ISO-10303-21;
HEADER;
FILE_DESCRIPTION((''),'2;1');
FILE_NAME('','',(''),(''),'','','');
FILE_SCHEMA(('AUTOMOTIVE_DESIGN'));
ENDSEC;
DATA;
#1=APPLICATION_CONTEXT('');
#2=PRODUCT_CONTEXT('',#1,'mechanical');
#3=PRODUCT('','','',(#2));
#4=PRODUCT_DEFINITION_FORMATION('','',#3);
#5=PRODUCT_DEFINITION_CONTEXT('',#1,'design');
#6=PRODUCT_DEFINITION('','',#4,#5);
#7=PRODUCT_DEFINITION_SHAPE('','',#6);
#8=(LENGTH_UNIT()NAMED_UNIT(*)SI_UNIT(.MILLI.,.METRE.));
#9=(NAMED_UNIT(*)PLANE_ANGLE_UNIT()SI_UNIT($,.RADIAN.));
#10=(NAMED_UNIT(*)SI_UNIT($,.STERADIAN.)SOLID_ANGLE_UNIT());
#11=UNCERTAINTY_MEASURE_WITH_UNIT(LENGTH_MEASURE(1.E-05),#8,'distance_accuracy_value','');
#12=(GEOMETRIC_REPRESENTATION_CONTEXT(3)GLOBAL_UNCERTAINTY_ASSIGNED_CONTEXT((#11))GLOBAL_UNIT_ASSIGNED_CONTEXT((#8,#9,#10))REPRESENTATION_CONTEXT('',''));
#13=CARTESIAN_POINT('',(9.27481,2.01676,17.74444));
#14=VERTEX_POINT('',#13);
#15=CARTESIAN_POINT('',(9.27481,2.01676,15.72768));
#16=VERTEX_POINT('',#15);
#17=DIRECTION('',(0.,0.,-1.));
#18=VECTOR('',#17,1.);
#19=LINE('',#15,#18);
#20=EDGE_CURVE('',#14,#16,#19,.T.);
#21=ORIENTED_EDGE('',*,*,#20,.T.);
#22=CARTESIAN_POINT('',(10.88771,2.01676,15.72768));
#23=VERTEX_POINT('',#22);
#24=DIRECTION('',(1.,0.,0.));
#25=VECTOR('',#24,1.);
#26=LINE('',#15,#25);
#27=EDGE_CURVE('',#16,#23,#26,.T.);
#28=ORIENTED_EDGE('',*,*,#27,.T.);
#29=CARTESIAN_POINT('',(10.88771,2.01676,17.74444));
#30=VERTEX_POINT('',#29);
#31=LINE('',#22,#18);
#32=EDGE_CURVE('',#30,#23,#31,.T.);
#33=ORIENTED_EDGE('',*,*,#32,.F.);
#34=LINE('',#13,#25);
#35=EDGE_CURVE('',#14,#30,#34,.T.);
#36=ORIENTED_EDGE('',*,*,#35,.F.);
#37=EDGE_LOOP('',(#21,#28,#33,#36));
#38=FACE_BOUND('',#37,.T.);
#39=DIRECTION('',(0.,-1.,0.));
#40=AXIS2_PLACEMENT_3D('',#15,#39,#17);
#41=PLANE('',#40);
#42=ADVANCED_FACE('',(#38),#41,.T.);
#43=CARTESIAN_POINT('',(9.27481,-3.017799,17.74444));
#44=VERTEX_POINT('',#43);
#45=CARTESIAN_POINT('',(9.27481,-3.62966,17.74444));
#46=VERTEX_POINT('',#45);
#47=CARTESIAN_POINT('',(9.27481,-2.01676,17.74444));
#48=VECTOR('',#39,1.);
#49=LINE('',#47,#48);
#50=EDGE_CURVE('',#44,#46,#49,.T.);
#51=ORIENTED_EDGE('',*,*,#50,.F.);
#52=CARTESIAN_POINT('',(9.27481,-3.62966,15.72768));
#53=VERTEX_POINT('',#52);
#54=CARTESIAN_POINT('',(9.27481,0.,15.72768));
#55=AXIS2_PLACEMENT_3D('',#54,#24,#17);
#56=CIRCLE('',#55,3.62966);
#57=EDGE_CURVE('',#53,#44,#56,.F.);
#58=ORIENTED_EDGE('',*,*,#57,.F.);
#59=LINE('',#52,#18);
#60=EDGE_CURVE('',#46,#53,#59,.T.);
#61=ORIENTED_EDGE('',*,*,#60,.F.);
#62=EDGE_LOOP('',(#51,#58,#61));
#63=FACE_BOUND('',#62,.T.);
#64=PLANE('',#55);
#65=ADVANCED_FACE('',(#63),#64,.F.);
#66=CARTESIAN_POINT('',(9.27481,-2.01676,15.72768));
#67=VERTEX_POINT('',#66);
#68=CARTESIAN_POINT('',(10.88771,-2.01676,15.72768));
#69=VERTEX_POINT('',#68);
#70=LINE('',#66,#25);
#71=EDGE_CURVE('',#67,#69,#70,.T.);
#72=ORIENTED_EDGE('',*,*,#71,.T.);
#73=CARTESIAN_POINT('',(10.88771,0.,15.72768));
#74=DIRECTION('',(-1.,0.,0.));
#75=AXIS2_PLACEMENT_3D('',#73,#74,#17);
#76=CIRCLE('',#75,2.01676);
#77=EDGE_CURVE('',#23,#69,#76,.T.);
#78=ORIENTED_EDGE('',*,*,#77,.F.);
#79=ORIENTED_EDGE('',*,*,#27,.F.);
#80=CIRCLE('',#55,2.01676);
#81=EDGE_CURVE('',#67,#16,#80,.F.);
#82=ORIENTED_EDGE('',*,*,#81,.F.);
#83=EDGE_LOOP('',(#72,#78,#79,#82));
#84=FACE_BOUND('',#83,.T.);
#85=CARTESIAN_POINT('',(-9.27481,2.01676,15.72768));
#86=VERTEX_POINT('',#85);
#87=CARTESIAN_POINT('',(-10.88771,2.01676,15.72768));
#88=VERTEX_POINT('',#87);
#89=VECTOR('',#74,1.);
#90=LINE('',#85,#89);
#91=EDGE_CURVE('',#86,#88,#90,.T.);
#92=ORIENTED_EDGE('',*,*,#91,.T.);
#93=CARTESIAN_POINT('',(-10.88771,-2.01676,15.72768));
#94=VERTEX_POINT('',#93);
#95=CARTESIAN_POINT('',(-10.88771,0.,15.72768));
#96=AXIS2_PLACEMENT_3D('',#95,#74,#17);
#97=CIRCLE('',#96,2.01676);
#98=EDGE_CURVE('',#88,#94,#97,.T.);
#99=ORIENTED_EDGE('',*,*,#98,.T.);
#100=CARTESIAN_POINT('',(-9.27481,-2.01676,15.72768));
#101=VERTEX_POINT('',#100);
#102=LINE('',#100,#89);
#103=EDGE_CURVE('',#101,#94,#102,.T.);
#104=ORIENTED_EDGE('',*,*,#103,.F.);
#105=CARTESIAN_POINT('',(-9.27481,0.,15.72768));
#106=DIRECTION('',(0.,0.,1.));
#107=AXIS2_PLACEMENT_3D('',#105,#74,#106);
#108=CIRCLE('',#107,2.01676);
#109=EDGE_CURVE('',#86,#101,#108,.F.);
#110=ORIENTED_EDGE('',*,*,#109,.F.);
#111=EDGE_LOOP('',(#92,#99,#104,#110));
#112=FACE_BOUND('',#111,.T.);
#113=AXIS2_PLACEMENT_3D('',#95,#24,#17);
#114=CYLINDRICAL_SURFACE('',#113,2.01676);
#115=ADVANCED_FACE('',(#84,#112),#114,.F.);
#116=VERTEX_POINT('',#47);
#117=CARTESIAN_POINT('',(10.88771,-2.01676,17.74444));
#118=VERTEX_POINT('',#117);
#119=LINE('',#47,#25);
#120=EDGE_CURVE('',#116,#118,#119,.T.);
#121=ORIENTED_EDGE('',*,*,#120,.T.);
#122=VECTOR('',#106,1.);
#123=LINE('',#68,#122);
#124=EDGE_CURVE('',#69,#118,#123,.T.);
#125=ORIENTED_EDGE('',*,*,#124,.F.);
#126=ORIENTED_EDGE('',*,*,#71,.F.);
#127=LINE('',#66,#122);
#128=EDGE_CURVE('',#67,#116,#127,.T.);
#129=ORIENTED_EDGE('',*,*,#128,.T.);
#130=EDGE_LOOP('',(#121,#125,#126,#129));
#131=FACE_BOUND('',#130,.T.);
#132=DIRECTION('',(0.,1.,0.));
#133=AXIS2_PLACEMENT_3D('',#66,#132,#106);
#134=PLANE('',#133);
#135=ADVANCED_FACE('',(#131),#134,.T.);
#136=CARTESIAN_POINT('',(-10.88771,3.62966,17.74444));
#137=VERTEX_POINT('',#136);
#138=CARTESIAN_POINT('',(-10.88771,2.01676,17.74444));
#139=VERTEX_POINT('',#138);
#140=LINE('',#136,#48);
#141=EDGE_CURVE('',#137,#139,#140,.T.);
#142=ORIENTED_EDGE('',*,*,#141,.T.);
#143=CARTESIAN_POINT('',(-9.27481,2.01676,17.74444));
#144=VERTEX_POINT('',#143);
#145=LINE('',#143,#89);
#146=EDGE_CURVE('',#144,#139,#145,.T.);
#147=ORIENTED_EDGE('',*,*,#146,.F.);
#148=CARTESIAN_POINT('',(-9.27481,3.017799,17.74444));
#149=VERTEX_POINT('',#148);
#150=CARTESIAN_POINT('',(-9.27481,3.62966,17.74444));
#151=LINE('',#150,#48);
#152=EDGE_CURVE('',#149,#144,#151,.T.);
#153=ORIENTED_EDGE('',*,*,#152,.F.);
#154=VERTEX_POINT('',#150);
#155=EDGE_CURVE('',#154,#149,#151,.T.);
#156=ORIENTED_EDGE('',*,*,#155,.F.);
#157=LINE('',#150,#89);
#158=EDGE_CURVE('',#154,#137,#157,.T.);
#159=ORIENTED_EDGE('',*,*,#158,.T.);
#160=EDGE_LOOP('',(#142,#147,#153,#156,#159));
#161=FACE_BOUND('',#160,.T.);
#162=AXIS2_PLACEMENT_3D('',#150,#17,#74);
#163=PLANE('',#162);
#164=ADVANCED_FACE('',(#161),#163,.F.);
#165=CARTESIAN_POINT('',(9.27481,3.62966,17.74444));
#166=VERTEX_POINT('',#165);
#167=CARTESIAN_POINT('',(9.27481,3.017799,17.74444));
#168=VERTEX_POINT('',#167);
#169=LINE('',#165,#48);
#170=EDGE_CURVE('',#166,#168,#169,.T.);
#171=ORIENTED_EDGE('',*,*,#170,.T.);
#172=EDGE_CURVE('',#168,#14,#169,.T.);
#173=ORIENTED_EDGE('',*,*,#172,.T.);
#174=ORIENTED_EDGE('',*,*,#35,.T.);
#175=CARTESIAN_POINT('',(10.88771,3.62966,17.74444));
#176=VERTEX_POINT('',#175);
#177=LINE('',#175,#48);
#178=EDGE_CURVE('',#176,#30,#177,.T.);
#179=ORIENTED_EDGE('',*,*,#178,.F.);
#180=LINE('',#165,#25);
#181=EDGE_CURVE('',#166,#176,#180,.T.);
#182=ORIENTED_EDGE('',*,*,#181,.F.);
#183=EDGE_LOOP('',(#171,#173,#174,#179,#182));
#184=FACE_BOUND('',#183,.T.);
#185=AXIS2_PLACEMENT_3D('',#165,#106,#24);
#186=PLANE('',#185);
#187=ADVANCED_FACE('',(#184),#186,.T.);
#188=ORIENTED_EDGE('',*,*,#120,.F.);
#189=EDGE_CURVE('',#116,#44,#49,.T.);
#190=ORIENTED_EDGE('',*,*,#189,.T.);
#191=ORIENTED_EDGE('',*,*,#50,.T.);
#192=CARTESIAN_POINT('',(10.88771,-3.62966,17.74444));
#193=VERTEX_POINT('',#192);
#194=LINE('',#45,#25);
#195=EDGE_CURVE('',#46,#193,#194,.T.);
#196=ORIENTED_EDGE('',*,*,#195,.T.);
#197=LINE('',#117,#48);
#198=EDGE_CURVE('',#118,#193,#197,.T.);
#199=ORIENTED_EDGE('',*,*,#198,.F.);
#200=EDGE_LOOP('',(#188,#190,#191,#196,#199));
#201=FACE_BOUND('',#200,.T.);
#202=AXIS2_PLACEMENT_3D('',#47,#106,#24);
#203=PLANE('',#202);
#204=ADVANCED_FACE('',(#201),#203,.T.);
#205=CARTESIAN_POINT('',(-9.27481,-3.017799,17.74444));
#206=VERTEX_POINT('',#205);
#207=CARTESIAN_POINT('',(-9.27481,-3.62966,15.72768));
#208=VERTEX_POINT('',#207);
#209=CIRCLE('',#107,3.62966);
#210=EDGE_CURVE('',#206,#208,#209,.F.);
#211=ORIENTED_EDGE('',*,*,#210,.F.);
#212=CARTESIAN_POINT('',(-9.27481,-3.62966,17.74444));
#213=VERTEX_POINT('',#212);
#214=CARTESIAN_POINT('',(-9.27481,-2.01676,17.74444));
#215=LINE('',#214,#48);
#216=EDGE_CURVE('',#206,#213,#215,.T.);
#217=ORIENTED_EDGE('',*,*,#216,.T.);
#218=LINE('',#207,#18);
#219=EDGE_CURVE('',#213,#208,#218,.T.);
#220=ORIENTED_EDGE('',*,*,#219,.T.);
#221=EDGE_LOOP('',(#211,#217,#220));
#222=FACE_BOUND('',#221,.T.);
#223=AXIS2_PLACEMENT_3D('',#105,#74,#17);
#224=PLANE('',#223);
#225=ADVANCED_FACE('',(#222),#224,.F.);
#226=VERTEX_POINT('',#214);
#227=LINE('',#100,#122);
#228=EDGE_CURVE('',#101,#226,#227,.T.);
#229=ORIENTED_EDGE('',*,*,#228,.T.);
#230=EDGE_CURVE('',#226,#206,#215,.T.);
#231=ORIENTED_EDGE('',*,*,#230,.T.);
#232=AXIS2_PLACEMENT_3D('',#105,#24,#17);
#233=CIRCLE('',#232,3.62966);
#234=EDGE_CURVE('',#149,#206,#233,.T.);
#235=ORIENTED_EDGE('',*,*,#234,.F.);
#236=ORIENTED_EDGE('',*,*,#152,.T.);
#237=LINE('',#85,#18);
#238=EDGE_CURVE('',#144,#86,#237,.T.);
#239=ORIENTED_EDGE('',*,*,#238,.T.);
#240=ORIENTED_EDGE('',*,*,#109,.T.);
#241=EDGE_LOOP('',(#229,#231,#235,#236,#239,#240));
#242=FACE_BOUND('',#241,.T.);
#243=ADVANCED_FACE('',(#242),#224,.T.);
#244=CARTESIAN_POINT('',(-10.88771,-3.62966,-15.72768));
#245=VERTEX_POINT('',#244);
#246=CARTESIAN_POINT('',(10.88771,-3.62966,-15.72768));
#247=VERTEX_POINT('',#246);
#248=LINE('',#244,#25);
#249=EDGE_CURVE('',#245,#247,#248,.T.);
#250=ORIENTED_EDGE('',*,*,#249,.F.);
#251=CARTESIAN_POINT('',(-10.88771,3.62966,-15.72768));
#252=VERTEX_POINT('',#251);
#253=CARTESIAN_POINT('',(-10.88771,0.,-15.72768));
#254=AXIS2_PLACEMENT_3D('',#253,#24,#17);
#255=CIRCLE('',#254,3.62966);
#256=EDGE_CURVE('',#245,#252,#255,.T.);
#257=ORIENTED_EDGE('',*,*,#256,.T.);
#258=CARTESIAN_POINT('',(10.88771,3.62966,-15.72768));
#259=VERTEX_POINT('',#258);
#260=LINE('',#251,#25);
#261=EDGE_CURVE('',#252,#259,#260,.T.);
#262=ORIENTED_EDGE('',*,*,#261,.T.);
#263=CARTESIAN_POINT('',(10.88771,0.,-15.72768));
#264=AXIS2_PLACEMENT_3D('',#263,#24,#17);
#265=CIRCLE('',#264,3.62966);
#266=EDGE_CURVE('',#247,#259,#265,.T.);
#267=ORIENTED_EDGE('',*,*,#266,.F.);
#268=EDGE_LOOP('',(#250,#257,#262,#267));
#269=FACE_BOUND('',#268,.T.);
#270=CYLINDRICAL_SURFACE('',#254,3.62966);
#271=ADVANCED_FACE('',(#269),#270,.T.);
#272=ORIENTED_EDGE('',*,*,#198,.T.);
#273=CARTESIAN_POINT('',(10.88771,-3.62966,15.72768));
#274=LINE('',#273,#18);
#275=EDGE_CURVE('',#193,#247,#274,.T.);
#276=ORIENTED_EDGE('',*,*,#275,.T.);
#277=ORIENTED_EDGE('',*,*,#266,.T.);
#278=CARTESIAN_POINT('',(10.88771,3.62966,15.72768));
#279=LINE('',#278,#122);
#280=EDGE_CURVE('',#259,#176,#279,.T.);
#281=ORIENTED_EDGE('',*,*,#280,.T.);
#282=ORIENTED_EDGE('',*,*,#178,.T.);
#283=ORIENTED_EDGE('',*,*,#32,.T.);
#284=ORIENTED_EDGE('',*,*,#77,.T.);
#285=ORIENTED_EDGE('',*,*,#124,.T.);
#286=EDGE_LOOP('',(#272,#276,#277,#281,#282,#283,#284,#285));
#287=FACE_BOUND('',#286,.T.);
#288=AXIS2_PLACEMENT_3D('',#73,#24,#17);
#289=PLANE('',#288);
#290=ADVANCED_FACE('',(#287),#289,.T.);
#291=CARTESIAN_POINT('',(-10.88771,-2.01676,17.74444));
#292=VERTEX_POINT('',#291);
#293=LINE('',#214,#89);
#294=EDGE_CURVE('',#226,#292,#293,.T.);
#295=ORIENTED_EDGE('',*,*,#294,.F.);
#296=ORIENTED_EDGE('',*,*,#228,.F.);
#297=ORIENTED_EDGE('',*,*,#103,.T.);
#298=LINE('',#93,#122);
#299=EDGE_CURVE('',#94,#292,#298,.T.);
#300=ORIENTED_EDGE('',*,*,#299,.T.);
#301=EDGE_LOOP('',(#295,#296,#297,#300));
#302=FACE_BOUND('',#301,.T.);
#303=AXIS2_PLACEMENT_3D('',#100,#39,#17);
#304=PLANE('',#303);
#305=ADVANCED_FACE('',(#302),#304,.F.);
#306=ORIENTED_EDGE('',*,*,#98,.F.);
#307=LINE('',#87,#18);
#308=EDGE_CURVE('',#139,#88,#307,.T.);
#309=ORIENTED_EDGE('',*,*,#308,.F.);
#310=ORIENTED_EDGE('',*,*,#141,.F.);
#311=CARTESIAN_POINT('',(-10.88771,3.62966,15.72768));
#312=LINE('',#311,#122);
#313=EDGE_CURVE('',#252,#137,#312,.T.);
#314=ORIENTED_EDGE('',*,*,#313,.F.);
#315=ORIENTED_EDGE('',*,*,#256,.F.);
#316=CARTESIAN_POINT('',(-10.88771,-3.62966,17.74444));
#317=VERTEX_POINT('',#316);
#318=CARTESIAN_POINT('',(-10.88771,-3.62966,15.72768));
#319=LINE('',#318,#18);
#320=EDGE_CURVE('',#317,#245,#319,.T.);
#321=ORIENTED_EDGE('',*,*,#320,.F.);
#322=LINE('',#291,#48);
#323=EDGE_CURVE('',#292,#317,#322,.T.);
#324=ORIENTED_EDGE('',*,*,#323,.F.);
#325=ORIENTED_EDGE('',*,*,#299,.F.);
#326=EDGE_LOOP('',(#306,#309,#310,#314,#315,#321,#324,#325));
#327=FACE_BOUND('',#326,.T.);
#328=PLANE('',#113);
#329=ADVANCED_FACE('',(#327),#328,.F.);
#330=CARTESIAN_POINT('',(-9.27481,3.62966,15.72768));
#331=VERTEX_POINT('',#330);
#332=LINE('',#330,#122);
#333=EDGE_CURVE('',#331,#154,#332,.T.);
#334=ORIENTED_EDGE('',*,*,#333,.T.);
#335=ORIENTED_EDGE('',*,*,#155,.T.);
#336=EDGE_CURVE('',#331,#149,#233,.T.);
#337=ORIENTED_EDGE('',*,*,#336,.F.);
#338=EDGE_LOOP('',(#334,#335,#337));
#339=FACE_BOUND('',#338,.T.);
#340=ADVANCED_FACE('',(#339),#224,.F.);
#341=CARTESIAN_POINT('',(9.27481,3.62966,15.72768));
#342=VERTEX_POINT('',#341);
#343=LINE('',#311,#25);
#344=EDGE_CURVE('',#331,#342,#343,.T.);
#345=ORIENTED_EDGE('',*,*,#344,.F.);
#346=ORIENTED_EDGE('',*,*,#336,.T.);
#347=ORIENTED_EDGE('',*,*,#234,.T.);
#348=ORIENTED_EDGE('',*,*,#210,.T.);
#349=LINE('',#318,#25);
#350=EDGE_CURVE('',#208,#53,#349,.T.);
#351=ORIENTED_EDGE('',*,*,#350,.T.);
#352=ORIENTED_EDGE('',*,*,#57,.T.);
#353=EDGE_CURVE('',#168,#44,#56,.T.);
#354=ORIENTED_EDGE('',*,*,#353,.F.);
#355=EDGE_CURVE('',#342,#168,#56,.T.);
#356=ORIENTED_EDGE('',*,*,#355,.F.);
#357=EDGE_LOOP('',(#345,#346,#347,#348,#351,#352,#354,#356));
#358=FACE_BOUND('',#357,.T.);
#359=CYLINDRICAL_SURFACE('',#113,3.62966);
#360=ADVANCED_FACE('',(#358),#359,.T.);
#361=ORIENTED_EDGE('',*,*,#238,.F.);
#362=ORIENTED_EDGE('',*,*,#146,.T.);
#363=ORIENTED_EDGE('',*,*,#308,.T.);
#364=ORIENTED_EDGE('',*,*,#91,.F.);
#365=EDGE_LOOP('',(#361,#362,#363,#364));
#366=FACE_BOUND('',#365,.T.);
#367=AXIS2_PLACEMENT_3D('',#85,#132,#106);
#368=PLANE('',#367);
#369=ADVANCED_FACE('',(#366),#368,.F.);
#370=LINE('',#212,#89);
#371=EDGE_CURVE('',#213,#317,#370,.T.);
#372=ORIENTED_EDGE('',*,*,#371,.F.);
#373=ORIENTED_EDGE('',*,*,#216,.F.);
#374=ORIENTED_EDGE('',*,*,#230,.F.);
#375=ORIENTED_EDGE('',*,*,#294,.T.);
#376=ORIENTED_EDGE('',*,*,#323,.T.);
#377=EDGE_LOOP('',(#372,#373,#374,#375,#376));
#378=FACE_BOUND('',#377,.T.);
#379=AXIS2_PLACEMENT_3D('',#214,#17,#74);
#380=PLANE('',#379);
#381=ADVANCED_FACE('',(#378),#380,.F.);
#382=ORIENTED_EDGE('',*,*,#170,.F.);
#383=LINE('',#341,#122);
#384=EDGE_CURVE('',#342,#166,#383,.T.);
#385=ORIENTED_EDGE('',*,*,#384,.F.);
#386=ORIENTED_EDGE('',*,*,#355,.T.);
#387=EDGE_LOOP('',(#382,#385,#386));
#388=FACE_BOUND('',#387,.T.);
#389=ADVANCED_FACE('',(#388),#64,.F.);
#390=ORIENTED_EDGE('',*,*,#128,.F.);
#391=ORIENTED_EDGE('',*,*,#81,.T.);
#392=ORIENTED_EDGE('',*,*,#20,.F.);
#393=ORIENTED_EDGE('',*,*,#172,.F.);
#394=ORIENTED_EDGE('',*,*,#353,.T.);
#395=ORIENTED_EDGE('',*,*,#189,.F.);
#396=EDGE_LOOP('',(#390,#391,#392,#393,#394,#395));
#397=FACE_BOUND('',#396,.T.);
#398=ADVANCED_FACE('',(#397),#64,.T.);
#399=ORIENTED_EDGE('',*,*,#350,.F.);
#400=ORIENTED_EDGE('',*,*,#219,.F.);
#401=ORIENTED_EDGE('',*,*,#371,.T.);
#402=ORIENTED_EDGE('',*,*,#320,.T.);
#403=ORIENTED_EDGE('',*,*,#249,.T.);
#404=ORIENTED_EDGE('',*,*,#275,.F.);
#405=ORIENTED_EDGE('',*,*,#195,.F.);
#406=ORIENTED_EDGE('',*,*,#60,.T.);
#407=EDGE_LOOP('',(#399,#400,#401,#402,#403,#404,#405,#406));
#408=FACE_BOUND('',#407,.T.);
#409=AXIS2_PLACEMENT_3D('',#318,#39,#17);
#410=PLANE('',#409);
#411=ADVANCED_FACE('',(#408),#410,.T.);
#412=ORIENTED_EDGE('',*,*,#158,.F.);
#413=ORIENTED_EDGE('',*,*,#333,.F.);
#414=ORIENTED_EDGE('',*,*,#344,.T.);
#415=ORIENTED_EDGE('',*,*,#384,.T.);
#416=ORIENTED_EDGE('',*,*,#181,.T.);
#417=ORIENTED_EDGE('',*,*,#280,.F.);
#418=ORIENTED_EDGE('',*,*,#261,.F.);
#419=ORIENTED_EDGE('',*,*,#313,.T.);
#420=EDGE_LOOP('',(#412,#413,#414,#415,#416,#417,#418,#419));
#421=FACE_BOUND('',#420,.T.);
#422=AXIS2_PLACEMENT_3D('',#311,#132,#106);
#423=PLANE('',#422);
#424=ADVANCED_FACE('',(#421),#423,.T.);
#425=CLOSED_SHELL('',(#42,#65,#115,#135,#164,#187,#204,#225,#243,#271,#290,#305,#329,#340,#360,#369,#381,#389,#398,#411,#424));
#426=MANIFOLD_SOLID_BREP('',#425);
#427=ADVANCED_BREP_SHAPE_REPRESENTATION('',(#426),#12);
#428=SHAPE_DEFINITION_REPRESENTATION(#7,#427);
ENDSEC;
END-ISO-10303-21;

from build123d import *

# Parameters (mm, degrees)
SKETCH1_R                = 2.01676
BOSS_EXTRUDE2_DEPTH      = 10.88771
BOSS_EXTRUDE2_DEPTH_BACK = 10.88771
SKETCH2_R                = 3.62966
CUT_EXTRUDE1_DEPTH       = 1.6129
BOSS_EXTRUDE3_DEPTH      = 1.6129


with BuildPart() as part:
    # Sketch1 → Boss-Extrude2 (new body, two sides)
    with BuildSketch(Plane(origin=(0, 0, 0), x_dir=(0, 0, -1), z_dir=(1, 0, 0))) as boss_extrude2_sk:
        with BuildLine():
            Line((-15.72768, 3.62966), (15.72768, 3.62966))
            ThreePointArc((15.72768, 3.62966), (19.35734, 0), (15.72768, -3.62966))
            Line((15.72768, -3.62966), (-15.72768, -3.62966))
            ThreePointArc((-15.72768, -3.62966), (-19.35734, 0), (-15.72768, 3.62966))
        make_face()
        with Locations((-15.72768, 0)):
            Circle(SKETCH1_R, mode=Mode.SUBTRACT)
    extrude(amount=BOSS_EXTRUDE2_DEPTH)
    extrude(boss_extrude2_sk.sketch, amount=-BOSS_EXTRUDE2_DEPTH_BACK)

    # Sketch2 → Cut-Extrude1 (cut)
    with BuildSketch(Plane(origin=(10.88771, 0, 0), x_dir=(0, 0, -1), z_dir=(1, 0, 0))):
        with Locations((-15.72768, 0)):
            Circle(SKETCH2_R)
    cut_extrude1 = extrude(amount=-CUT_EXTRUDE1_DEPTH, mode=Mode.SUBTRACT)

    # Mirror1: Cut-Extrude1 across plane
    add(cut_extrude1.mirror(Plane(origin=(0, 0, 0), x_dir=(0, 0, 1), z_dir=(1, 0, 0))), mode=Mode.SUBTRACT)

    # Sketch3 → Boss-Extrude3 (add)
    with BuildSketch(Plane(origin=(10.88771, 0, 0), x_dir=(0, 0, -1), z_dir=(1, 0, 0))):
        with BuildLine():
            Line((-17.74444, -2.01676), (-17.74444, -3.62966))
            Line((-17.74444, -3.62966), (-15.72768, -3.62966))
            ThreePointArc((-15.72768, -3.62966), (-12.09802, 0), (-15.72768, 3.62966))
            Line((-15.72768, 3.62966), (-17.74444, 3.62966))
            Line((-17.74444, 3.62966), (-17.74444, 2.01676))
            Line((-17.74444, 2.01676), (-15.72768, 2.01676))
            ThreePointArc((-15.72768, 2.01676), (-13.71092, 0), (-15.72768, -2.01676))
            Line((-15.72768, -2.01676), (-17.74444, -2.01676))
        make_face()
    boss_extrude3 = extrude(amount=-BOSS_EXTRUDE3_DEPTH)

    # Mirror2: Boss-Extrude3 across plane
    add(boss_extrude3.mirror(Plane(origin=(0, 0, 0), x_dir=(0, 0, 1), z_dir=(1, 0, 0))))


solid = part.part
